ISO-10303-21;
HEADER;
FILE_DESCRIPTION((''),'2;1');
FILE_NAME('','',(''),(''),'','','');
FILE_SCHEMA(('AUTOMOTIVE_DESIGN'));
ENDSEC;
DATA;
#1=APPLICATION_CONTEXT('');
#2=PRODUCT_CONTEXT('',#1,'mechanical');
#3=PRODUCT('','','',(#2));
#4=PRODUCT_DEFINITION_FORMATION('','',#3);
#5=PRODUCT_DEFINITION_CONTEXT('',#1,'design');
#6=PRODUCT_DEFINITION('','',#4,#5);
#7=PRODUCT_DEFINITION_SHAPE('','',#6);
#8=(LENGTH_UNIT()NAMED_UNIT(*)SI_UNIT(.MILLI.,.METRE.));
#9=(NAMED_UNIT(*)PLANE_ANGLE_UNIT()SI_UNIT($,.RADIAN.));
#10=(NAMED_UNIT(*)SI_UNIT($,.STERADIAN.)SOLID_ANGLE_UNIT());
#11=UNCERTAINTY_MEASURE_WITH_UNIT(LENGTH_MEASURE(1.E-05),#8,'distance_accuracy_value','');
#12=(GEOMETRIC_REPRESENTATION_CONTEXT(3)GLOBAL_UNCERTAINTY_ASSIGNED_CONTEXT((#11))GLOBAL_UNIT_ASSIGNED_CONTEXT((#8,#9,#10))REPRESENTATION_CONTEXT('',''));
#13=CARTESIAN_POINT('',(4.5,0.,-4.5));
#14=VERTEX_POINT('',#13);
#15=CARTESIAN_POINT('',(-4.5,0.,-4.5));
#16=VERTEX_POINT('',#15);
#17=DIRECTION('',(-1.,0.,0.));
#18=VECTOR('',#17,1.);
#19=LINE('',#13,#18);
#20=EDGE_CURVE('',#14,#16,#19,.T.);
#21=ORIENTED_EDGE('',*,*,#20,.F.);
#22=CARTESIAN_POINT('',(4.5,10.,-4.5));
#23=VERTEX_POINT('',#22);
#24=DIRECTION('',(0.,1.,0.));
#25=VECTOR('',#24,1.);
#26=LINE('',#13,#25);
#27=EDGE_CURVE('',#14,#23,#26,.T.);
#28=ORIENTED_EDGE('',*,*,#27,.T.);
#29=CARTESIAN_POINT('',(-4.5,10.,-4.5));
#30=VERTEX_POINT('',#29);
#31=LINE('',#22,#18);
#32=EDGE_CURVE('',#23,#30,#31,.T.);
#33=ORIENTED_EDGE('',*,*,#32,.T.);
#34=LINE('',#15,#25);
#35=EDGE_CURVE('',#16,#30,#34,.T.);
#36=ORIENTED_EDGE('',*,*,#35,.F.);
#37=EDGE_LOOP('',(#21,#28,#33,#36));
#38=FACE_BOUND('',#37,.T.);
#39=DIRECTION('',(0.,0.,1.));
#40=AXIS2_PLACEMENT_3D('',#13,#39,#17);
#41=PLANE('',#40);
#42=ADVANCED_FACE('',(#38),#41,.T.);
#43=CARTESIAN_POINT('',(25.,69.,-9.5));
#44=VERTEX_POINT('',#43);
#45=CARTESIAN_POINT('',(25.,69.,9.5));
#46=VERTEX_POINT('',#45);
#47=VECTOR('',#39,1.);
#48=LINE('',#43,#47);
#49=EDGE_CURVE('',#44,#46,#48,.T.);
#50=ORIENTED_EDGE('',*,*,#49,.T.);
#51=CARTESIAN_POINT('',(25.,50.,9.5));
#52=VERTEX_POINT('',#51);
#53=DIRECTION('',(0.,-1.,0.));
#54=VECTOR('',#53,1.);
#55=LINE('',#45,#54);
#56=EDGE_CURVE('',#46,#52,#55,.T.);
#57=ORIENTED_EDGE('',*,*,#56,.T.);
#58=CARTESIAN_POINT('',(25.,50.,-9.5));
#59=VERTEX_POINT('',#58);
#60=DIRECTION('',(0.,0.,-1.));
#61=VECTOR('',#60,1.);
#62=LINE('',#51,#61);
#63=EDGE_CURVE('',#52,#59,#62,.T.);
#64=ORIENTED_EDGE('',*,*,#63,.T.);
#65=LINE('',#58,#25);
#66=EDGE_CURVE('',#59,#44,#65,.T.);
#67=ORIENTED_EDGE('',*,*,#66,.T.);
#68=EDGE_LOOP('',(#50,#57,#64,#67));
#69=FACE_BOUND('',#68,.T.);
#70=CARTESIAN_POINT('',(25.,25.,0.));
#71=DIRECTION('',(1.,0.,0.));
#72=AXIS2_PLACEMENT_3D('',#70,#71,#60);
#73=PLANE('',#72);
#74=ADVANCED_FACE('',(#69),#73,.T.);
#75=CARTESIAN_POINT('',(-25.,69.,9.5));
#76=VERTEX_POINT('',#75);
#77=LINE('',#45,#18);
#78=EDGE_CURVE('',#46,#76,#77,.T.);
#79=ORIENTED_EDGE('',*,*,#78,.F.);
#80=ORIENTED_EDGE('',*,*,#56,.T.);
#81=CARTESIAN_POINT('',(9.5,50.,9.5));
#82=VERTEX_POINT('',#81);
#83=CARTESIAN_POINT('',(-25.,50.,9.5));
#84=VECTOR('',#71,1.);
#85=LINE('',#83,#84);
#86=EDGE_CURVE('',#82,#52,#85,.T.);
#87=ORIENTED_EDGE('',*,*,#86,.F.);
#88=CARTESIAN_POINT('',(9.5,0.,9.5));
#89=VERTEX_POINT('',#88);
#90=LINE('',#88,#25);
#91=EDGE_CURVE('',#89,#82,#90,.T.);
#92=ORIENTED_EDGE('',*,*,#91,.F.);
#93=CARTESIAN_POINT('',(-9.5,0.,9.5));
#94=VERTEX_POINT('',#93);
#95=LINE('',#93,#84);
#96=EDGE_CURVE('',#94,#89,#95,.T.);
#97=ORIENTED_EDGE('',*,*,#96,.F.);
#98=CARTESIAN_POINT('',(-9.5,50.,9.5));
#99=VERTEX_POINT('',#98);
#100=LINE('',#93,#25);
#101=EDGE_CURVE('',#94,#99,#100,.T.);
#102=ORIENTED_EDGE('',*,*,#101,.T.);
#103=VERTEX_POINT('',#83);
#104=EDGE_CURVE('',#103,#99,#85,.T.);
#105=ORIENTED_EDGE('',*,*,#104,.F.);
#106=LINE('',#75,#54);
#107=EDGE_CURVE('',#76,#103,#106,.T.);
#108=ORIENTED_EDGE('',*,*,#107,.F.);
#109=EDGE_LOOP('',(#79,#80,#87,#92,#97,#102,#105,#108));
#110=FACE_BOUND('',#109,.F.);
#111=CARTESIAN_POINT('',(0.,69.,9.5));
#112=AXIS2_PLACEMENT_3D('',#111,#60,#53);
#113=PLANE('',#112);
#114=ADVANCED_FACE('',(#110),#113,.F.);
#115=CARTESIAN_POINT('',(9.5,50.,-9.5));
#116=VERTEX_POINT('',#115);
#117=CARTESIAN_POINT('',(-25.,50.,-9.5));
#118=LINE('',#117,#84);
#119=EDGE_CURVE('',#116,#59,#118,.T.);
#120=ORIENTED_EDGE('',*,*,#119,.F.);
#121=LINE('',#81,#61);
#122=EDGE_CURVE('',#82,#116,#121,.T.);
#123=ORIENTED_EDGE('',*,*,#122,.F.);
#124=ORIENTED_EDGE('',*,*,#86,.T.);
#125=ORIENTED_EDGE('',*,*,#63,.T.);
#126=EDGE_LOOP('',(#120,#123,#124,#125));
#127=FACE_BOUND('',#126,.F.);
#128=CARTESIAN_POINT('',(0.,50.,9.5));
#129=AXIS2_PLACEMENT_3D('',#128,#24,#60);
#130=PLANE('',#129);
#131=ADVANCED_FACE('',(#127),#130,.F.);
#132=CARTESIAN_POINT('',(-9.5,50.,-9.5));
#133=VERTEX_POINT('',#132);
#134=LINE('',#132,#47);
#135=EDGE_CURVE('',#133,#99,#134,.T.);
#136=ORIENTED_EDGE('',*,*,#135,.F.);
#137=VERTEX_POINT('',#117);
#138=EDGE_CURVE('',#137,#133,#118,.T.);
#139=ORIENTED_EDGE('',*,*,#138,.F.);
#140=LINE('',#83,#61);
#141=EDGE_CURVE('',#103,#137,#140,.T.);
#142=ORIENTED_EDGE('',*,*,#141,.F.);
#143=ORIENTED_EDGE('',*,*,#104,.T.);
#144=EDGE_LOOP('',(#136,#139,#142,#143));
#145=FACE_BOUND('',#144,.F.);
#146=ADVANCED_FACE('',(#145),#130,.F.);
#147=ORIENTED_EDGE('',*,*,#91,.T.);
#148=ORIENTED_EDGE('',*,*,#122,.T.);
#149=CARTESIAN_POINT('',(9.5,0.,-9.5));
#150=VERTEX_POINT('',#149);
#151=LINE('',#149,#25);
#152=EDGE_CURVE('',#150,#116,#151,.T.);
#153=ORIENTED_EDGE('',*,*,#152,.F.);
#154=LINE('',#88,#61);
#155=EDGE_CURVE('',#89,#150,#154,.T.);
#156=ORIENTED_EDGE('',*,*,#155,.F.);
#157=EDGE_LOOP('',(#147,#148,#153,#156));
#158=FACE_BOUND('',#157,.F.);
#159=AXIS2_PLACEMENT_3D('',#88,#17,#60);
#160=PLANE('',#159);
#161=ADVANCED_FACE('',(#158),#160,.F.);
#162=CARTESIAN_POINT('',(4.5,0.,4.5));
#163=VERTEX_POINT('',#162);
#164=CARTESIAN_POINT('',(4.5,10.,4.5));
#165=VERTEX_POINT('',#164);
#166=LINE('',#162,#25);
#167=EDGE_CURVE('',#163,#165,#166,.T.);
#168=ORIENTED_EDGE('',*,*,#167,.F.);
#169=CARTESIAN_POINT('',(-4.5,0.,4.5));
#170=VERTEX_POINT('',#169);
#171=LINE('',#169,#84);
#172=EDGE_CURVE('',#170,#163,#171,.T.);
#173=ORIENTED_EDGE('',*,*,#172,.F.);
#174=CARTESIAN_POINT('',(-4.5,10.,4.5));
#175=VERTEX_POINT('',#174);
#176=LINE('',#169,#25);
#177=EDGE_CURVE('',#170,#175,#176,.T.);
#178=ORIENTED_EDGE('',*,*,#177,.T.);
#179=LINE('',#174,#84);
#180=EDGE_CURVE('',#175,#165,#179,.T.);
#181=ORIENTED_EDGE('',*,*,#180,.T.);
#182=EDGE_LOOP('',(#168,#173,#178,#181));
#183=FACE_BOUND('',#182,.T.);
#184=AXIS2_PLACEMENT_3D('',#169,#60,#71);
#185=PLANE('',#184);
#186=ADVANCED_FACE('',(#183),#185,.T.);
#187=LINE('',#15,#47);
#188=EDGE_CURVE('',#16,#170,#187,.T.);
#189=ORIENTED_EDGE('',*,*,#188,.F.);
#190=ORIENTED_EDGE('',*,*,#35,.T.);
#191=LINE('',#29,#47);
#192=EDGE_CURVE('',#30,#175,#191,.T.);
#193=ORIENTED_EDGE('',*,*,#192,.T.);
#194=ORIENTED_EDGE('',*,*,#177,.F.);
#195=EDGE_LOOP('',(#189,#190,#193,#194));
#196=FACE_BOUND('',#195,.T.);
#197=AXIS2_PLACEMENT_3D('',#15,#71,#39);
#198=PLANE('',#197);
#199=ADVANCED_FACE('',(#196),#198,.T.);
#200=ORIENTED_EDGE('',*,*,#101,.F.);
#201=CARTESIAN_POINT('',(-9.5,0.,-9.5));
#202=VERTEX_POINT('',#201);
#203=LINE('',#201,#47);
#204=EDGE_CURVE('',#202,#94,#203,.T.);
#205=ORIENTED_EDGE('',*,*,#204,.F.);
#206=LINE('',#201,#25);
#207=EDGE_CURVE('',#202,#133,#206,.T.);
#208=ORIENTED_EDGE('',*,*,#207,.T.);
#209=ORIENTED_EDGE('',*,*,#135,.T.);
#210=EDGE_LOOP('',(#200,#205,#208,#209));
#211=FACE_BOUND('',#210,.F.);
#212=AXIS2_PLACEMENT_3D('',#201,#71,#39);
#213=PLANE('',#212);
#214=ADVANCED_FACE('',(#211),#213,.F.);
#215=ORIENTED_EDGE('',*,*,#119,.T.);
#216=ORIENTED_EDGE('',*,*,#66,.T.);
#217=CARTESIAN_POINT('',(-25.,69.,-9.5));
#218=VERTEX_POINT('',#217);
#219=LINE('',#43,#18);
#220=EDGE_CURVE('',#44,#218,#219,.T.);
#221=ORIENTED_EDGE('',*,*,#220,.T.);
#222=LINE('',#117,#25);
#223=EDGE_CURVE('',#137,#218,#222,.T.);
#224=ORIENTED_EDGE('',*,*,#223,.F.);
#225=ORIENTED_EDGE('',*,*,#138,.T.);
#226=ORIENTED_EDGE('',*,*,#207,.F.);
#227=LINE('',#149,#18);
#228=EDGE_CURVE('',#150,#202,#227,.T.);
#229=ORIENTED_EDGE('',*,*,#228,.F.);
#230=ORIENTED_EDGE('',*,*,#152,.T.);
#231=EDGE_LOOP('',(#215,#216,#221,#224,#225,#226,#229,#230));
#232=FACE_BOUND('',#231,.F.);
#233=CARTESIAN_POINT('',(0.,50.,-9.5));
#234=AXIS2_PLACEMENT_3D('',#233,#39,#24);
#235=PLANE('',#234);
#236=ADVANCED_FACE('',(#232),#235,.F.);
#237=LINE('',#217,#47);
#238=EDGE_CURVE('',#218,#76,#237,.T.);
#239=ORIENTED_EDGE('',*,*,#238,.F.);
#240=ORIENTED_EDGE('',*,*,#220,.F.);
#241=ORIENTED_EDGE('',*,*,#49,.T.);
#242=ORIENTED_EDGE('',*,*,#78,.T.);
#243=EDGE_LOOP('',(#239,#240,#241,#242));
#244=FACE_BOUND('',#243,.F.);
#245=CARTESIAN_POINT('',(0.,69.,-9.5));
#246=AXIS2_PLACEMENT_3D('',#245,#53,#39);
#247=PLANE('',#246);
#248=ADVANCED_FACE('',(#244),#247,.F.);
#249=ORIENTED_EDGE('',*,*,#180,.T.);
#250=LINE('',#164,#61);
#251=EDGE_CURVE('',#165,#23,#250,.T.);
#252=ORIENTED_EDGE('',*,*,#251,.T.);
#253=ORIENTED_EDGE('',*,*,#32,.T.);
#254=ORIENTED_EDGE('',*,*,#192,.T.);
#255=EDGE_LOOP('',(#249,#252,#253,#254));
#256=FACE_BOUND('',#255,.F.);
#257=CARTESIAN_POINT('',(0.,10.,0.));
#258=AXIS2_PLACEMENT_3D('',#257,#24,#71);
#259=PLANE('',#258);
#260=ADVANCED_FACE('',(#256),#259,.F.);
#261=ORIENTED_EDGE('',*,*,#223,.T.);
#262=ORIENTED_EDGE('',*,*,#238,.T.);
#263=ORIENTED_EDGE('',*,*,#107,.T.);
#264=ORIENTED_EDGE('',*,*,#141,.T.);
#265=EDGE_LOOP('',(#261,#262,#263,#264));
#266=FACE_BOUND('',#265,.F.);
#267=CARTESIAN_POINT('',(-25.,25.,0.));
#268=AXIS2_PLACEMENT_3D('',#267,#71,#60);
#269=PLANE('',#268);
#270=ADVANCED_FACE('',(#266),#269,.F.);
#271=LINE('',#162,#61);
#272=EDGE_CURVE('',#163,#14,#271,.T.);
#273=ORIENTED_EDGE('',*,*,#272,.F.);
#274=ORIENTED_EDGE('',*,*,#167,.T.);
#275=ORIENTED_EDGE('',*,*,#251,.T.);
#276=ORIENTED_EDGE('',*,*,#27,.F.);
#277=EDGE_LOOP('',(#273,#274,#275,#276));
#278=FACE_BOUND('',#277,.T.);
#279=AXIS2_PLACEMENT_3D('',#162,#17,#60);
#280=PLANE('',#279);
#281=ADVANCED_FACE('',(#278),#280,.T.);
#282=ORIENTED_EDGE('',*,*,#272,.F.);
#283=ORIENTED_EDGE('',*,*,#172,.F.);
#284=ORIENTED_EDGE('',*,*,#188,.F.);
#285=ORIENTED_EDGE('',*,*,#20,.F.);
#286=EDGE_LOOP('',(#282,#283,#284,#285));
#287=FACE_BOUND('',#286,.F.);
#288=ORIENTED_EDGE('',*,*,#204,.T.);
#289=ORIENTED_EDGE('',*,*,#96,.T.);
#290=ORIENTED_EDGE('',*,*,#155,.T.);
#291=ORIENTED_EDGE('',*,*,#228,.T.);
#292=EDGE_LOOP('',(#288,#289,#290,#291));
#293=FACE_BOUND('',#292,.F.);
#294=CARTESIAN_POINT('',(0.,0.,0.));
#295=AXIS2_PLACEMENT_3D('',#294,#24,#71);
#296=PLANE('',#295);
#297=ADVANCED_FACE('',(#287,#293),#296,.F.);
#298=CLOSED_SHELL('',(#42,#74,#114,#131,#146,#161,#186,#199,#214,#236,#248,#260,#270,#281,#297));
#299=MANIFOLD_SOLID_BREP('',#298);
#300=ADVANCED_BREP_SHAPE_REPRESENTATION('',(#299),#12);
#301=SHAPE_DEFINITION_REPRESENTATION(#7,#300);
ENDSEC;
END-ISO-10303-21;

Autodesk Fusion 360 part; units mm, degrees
sketch "Skizze1" plane through (0, 0, 0) normal (0, 1, 0) x (1, 0, 0)
  line L0 (9.5, 9.5) -> (-9.5, 9.5)
  line L1 (-9.5, 9.5) -> (-9.5, -9.5)
  line L2 (-9.5, -9.5) -> (9.5, -9.5)
  line L3 (9.5, -9.5) -> (9.5, 9.5)
  line L4 (9.5, 9.5) -> (-9.5, -9.5) construction
  line L5 (-9.5, 9.5) -> (9.5, -9.5) construction
  line L6 (4.5, 4.5) -> (-4.5, 4.5)
  line L7 (-4.5, 4.5) -> (-4.5, -4.5)
  line L8 (-4.5, -4.5) -> (4.5, -4.5)
  line L9 (4.5, -4.5) -> (4.5, 4.5)
  line L10 (4.5, 4.5) -> (-4.5, -4.5) construction
  line L11 (-4.5, 4.5) -> (4.5, -4.5) construction
  dimension "d1" = 19
  dimension "d2" = 19
  dimension "d3" = 9
  dimension "d4" = 9
extrude "Extrusion1" add sketch "Skizze1" along normal blind 50 contours L0 L1 L2 L3 | L6 L7 L8 L9 makes body 1
ref_plane "Arbeitsebene1" through (0, 25, 0) normal (1, 0, 0) x (0, 0, -1)
sketch "Skizze2" plane through (0, 25, 0) normal (1, 0, 0) x (0, 0, -1)
  line L0 (-9.5, 25) -> (9.5, 25)
  line L1 (9.5, 25) -> (9.5, 44)
  line L2 (9.5, 44) -> (-9.5, 44)
  line L3 (-9.5, 44) -> (-9.5, 25)
  dimension "d8" = 19
  dimension "d9" = 19
extrude "Extrusion2" add sketch "Skizze2" along normal mid plane 50 bodies 1
extrude "Extrusion3" cut sketch "Skizze1" along normal blind 10 contours L6 L7 L8 L9 bodies 1
copy_body "Körper->Berechn1" bodies 1 removing the originals makes body 2 in component "T-Griff"
component "T-Griff" placed x (1, 0, 0) y (0, 1, 0) z (0, 0, 1) at (0, 0, 0)
